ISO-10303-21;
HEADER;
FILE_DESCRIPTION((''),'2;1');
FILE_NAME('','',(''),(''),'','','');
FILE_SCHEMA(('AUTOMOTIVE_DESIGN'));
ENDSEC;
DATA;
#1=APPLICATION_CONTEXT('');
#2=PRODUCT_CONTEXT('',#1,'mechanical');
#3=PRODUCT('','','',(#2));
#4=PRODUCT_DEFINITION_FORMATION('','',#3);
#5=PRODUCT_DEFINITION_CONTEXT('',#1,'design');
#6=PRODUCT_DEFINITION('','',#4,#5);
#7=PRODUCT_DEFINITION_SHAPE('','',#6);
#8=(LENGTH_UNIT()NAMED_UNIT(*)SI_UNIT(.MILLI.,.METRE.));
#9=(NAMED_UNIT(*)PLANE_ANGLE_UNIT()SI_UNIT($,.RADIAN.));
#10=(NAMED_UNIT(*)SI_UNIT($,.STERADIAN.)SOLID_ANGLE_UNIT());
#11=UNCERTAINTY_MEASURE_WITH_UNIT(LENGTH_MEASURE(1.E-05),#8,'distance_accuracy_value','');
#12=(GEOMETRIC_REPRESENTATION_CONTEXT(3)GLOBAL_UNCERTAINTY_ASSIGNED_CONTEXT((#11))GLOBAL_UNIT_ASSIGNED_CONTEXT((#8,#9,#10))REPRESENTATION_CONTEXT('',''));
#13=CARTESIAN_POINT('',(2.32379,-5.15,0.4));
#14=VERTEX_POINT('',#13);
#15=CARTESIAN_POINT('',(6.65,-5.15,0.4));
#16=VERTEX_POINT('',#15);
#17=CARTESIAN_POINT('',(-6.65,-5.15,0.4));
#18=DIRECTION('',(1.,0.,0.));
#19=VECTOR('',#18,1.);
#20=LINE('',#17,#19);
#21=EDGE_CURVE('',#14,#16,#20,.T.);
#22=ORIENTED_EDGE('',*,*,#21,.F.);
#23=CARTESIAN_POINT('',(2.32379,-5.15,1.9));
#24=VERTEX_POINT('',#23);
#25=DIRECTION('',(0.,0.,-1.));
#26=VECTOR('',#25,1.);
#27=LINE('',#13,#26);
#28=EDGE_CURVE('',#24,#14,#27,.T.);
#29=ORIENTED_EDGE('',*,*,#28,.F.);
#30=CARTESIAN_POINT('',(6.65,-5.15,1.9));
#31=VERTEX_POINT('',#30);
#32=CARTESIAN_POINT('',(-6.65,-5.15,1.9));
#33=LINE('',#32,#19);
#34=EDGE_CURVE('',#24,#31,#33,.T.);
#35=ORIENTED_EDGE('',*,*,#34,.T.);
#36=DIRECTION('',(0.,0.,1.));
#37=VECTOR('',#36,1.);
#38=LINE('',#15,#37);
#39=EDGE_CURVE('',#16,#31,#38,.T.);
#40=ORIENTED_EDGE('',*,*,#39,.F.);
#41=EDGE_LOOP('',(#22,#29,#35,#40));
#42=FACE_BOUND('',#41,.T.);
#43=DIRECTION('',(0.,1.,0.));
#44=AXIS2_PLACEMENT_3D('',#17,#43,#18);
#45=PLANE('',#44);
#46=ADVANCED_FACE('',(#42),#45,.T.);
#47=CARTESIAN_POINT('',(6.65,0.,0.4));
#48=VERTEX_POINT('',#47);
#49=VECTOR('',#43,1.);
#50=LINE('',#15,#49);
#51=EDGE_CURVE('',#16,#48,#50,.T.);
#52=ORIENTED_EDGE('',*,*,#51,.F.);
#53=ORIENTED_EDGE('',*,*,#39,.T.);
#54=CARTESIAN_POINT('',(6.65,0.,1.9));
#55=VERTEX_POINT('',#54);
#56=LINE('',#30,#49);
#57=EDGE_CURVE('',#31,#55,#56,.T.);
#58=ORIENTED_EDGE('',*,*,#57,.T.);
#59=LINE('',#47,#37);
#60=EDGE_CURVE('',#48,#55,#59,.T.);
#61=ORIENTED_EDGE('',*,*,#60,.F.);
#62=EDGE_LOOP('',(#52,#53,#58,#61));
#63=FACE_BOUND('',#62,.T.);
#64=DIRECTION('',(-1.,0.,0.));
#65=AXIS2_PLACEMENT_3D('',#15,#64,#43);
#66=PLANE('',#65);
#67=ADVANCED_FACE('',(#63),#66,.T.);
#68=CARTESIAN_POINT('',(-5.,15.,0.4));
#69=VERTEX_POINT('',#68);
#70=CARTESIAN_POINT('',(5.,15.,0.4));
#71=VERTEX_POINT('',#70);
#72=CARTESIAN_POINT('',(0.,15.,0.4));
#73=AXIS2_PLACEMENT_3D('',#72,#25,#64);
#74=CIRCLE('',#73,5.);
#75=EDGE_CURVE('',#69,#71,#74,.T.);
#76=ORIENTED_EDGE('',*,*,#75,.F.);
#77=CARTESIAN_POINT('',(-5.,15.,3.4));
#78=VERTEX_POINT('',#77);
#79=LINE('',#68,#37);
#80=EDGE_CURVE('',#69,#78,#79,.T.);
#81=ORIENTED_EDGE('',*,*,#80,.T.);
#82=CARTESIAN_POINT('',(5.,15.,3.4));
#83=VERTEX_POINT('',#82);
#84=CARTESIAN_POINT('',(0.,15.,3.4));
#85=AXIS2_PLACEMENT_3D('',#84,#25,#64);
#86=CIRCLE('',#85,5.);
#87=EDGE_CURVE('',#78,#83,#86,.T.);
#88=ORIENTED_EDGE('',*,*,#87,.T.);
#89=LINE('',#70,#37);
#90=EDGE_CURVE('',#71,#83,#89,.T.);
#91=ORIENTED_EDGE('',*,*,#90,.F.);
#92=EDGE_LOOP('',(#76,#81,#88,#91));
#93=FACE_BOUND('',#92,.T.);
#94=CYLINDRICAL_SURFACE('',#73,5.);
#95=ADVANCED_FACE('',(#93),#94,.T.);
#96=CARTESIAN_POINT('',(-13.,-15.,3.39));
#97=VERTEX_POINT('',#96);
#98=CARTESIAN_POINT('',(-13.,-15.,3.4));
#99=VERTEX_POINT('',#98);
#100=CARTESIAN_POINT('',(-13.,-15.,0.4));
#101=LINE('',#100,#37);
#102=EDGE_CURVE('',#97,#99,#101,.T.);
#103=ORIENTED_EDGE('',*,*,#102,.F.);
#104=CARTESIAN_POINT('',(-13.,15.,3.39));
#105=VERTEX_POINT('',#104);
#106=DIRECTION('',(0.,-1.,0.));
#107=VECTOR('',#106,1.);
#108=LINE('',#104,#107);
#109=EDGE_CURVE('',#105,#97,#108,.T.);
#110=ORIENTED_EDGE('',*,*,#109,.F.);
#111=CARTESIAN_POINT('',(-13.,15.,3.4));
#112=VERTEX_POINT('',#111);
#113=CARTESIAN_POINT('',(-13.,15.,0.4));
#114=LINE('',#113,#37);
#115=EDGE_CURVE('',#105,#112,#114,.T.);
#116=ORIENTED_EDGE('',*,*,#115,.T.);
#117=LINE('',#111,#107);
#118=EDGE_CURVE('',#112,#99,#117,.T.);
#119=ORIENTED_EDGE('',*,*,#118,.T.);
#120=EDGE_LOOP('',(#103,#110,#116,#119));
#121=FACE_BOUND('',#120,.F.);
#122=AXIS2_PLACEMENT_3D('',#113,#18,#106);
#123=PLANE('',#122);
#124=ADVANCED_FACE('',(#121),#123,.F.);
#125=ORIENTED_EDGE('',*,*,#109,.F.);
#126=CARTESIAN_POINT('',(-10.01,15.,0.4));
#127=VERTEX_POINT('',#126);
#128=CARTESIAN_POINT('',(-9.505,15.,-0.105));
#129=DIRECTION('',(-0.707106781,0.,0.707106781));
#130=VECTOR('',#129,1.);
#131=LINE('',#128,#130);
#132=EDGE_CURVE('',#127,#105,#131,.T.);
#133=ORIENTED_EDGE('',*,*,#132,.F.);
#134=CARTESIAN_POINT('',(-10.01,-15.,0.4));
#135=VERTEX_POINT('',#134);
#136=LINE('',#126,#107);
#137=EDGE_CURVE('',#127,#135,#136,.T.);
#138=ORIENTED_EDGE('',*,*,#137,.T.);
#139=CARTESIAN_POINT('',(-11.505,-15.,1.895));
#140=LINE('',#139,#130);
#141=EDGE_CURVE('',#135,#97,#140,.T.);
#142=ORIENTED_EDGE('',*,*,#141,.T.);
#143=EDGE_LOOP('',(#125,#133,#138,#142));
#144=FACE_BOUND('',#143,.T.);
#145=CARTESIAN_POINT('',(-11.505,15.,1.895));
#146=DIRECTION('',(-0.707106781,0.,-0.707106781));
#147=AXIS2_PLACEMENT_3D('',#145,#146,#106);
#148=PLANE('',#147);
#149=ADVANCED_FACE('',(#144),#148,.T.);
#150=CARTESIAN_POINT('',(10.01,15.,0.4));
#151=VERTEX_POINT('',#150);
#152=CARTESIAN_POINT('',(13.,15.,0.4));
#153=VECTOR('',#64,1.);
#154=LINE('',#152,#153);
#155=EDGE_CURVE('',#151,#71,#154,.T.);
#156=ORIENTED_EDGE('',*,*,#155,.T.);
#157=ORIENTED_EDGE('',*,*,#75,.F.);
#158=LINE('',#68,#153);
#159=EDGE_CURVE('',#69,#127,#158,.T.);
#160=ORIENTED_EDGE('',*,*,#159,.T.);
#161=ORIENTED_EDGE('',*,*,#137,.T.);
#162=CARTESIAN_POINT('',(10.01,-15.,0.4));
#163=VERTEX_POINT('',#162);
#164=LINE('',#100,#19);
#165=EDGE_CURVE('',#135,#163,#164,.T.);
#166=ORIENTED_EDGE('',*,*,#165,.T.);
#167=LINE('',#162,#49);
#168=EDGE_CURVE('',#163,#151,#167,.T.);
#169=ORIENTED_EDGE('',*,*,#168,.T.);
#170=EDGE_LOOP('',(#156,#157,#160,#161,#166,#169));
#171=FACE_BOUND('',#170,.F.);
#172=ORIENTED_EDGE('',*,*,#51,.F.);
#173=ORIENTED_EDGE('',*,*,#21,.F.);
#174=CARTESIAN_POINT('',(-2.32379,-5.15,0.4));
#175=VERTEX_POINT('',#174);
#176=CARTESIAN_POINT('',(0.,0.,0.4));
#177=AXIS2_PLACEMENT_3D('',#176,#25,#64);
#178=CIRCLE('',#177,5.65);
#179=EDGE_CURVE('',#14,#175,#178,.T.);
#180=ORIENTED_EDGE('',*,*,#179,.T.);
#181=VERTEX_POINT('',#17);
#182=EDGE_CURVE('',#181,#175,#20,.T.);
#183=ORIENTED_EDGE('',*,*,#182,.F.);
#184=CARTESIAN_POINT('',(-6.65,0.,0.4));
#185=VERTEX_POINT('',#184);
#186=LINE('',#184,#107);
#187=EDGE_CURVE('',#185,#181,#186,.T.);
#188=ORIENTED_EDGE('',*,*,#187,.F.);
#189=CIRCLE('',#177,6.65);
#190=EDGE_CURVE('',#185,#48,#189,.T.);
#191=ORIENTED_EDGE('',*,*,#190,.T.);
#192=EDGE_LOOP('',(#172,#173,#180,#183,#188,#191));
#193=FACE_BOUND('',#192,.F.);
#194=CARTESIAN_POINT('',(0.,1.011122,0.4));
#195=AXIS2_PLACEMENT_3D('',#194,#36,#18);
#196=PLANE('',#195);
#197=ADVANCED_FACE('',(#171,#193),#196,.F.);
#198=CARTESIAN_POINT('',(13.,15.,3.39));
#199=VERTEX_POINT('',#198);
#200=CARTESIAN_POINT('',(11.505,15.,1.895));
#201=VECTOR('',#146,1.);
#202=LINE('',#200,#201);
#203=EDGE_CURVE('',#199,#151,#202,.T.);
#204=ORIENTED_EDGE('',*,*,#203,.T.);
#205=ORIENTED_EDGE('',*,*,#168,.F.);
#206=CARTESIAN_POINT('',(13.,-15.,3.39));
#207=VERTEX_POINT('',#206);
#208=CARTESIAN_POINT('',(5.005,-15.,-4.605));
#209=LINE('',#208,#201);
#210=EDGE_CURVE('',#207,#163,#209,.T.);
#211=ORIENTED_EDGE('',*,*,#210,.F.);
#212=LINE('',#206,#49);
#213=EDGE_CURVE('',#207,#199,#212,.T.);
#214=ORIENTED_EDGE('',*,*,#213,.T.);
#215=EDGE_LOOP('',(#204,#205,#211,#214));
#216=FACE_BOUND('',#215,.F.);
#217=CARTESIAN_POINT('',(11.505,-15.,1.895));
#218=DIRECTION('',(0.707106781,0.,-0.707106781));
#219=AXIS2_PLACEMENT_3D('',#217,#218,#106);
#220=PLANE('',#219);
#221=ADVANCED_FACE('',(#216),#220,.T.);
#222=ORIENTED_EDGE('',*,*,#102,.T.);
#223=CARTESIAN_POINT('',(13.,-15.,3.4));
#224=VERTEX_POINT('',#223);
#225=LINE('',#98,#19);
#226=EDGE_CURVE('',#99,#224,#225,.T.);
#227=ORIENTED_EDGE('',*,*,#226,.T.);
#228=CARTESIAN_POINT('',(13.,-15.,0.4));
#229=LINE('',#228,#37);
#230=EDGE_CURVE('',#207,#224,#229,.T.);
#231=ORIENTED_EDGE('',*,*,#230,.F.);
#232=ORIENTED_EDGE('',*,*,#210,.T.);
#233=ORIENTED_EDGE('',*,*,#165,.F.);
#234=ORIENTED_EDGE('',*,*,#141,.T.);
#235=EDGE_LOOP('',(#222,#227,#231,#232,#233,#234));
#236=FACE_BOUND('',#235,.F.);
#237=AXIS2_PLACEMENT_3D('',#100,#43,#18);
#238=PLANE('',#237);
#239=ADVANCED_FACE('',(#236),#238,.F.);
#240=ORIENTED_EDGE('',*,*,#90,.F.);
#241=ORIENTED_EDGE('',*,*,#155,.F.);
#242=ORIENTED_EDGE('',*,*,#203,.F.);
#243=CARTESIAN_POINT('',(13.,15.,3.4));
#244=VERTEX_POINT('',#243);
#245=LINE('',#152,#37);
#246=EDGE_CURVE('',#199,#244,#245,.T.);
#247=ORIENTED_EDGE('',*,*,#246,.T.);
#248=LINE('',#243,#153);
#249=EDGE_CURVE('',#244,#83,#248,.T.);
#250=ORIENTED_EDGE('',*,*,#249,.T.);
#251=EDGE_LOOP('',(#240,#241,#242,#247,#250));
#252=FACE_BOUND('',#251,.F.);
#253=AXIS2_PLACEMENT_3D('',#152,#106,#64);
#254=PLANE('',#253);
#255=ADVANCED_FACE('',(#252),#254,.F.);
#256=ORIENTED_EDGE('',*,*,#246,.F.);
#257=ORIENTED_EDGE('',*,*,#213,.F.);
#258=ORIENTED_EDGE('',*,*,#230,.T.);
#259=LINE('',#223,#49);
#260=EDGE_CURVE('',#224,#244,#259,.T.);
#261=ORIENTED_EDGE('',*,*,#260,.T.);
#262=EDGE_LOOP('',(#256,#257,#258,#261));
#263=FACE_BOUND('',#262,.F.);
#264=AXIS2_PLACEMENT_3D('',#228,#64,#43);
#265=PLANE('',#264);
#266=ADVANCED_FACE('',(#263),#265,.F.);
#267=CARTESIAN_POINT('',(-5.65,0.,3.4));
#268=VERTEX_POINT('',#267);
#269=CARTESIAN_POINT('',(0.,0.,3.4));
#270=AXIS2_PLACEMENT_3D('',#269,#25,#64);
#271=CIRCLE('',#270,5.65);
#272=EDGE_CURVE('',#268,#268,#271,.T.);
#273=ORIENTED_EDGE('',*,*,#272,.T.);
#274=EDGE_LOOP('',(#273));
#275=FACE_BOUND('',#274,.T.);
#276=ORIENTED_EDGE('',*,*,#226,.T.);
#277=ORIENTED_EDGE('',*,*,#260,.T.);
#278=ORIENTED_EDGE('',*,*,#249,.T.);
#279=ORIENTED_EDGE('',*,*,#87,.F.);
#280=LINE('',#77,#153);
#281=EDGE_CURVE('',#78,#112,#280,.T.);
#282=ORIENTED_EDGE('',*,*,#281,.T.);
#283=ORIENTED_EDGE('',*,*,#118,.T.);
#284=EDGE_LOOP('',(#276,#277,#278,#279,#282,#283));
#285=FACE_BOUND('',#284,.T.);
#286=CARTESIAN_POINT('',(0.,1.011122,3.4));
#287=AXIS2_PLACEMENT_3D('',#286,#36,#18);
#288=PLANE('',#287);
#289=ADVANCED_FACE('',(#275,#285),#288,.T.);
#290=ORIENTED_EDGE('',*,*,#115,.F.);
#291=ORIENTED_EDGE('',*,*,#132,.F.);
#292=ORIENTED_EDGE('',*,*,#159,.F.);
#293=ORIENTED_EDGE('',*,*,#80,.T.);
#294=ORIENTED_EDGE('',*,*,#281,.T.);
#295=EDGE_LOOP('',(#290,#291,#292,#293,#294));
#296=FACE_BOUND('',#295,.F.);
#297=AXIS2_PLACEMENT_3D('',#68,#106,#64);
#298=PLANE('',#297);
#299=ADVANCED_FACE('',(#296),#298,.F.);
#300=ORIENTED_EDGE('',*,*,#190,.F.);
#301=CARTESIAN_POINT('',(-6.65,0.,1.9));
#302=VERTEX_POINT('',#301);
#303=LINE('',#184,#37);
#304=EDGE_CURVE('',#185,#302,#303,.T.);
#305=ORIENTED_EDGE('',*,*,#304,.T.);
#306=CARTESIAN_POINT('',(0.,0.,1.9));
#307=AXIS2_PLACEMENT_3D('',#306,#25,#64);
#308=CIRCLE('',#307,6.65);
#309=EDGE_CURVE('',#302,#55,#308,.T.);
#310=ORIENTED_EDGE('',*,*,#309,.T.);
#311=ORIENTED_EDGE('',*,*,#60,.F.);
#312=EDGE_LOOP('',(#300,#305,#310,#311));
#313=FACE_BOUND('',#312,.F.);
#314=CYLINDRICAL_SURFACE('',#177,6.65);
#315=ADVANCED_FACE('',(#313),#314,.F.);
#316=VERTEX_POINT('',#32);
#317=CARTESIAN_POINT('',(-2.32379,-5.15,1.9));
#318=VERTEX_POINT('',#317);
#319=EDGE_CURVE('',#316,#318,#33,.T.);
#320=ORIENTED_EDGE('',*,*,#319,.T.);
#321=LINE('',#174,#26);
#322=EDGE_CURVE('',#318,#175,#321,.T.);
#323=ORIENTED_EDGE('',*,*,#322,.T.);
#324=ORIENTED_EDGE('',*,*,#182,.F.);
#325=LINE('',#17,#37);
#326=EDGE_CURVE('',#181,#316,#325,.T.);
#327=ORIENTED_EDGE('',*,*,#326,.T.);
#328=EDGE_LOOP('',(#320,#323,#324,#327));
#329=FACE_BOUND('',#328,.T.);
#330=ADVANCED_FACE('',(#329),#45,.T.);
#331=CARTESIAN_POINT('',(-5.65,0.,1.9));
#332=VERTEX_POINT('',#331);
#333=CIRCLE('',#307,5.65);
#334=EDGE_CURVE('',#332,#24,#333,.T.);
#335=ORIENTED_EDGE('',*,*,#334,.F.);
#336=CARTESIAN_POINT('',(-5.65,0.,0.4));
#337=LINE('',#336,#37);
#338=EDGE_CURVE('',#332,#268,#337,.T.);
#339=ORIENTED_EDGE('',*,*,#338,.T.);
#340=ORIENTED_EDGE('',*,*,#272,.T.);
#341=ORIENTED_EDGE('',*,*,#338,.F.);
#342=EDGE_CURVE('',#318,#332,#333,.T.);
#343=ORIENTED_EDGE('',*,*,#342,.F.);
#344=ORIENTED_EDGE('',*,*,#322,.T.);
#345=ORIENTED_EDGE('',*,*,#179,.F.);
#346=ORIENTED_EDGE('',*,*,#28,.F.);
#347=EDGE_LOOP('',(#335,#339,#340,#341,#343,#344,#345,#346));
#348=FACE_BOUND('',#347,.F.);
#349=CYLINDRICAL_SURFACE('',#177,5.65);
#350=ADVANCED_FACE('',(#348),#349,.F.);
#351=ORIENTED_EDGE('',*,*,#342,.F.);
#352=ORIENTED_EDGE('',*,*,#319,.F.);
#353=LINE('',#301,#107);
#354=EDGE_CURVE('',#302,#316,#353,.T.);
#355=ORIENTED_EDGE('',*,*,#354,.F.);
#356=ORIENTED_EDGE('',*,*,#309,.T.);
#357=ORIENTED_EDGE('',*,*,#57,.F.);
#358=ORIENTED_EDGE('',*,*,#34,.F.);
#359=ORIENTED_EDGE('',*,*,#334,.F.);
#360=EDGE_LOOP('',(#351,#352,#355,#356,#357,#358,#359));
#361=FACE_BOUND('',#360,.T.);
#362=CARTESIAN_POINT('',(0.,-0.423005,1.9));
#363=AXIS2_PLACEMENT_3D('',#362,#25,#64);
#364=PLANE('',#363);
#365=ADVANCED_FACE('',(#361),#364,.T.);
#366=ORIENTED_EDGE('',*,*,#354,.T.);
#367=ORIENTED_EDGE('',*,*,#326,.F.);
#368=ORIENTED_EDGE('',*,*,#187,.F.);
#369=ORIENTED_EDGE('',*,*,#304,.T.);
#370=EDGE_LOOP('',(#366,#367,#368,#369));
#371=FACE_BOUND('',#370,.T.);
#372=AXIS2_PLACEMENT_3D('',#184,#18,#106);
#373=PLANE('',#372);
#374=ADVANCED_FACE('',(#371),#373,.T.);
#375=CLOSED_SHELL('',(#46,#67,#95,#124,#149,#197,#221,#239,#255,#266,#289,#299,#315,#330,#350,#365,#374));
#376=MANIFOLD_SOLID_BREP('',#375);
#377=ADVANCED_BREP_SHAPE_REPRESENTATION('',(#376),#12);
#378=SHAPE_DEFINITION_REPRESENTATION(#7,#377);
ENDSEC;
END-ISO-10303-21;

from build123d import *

# Parameters (mm, degrees)
PAD028_DEPTH            = 3
POCKET013_DEPTH         = 1.5
CHAMFER_SIZE            = 2.99
SKETCH061_R             = 5.65
POCKET017_DEPTH         = 3.001
BODY019_PLACEMENT_ANGLE = 180


with BuildPart() as part:
    # Sketch057 → Pad028 (new body)
    with BuildSketch(Plane.XY):
        with BuildLine():
            Line((-13, 15), (-5, 15))
            ThreePointArc((5, 15), (0, 20), (-5, 15))
            Line((5, 15), (13, 15))
            Line((13, 15), (13, -15))
            Line((13, -15), (-13, -15))
            Line((-13, -15), (-13, 15))
        make_face()
    extrude(amount=-PAD028_DEPTH)

    # Sketch056 → Pocket013 (cut)
    with BuildSketch(Plane.XY):
        with BuildLine():
            ThreePointArc((6.65, 0), (0, 6.65), (-6.65, 0))
            Line((-6.65, -5.15), (-6.65, 0))
            Line((6.65, -5.15), (-6.65, -5.15))
            Line((6.65, 0), (6.65, -5.15))
        make_face()
    extrude(amount=-POCKET013_DEPTH, mode=Mode.SUBTRACT)

    # Chamfer
    chamfer_edges = [part.edges().sort_by_distance(p)[0] for p in [
        (-13, 0, 0),
        (13, 0, 0),
    ]]
    chamfer(chamfer_edges, length=CHAMFER_SIZE)

    # Sketch061 → Pocket017 (cut, through all)
    with BuildSketch(Plane.XY):
        Circle(SKETCH061_R)
    extrude(amount=-POCKET017_DEPTH, mode=Mode.SUBTRACT)


with BuildPart() as part_1:
    # Body019 placement: moved
    add(part.part.moved(Location((0, 0, 0.4))).rotate(Axis((0, 0, 0.4), (0, 1, 0)), BODY019_PLACEMENT_ANGLE))


solid = part_1.part
